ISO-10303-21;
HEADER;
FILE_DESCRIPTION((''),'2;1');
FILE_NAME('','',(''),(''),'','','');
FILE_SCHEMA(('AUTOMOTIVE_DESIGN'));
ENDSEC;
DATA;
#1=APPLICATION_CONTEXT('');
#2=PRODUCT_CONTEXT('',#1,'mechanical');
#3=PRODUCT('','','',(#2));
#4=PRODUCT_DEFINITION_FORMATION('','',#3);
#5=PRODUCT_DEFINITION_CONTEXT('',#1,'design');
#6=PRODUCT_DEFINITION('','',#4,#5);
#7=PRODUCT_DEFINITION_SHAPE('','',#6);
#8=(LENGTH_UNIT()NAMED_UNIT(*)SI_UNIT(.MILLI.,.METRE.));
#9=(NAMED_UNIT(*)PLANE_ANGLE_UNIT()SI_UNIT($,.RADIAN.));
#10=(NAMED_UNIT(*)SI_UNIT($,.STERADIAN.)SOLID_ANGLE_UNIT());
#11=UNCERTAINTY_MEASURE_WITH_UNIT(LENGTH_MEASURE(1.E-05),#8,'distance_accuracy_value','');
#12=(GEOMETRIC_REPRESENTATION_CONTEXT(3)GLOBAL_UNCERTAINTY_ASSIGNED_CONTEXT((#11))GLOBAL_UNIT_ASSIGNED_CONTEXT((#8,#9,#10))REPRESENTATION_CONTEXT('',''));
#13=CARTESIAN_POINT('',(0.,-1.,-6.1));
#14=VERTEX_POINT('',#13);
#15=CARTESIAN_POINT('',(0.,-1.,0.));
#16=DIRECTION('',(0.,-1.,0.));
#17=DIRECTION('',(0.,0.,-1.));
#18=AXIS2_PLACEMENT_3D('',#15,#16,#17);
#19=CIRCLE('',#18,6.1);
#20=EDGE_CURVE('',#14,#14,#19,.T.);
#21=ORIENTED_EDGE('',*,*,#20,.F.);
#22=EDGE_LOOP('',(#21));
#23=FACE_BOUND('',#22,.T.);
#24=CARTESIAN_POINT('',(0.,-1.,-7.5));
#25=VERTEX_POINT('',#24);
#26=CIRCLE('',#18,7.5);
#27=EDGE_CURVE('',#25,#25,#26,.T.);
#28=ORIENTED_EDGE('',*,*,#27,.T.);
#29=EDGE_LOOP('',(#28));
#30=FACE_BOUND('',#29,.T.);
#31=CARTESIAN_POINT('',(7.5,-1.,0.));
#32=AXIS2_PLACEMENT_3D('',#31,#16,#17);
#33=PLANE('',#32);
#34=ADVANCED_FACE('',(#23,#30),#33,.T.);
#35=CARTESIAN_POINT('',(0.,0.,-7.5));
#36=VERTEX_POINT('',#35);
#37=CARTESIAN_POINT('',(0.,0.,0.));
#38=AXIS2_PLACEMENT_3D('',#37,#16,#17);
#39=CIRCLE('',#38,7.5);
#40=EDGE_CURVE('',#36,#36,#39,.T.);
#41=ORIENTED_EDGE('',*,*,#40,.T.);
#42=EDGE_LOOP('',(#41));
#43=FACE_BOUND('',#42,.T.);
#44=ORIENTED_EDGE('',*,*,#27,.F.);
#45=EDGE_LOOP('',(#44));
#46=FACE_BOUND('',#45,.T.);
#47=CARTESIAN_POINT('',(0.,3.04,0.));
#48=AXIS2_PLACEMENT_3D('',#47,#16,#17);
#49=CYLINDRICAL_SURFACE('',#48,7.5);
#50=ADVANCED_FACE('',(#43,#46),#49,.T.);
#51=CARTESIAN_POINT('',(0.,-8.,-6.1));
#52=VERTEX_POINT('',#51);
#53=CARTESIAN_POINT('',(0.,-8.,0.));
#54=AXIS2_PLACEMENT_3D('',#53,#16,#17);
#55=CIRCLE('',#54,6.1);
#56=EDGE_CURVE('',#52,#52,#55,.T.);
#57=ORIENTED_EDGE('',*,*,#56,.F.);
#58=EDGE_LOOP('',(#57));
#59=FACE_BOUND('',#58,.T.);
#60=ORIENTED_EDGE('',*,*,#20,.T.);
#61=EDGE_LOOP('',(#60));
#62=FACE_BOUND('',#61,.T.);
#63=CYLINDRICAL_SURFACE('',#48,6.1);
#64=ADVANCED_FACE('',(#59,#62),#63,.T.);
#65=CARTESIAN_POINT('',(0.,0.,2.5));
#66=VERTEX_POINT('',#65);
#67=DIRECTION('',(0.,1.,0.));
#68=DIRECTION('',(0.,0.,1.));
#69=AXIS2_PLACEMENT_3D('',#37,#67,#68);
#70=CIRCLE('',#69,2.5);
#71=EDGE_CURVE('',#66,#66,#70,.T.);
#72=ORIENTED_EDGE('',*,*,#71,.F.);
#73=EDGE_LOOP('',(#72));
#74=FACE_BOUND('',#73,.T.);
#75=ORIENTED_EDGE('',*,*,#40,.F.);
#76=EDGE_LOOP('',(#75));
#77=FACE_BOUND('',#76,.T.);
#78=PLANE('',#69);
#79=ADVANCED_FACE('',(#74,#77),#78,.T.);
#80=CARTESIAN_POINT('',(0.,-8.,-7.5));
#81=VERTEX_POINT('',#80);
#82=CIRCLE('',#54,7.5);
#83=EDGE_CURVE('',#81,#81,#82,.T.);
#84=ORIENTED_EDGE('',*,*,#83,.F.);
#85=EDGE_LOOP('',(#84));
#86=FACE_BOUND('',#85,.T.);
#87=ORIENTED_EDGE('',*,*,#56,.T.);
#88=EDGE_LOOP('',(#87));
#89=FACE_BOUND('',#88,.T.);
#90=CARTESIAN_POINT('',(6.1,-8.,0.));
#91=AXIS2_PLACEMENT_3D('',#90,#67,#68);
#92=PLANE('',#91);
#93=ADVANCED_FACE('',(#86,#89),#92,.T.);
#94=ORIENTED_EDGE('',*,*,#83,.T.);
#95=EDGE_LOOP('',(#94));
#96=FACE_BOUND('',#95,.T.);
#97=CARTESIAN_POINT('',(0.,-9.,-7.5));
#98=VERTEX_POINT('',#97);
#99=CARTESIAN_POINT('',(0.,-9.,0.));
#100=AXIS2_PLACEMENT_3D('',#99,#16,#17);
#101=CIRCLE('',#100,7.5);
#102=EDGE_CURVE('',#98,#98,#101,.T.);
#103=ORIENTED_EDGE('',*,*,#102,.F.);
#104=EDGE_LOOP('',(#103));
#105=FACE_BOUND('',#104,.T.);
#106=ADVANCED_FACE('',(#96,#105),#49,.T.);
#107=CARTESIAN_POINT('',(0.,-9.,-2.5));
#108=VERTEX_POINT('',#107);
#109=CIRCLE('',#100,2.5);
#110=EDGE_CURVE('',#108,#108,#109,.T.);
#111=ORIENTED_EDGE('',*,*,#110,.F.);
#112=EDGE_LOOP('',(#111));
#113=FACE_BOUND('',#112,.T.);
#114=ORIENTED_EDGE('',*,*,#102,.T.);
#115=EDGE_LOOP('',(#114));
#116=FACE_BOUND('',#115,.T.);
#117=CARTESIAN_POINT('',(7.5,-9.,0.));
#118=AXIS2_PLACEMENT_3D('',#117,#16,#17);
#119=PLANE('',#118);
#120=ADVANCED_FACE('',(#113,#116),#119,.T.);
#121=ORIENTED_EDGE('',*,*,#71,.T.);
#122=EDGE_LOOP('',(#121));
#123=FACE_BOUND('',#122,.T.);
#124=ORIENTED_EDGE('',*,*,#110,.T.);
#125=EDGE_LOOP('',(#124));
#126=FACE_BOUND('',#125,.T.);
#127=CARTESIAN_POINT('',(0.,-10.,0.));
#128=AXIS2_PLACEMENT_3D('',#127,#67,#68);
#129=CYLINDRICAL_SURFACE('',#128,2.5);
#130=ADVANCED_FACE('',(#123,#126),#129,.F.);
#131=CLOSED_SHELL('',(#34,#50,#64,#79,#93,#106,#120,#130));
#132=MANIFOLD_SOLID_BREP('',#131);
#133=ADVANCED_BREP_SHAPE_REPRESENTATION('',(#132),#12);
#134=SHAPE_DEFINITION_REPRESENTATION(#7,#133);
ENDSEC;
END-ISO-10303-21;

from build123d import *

# Parameters (mm, degrees)
SKETCH2_R          = 2.5
CUT_EXTRUDE1_DEPTH = 10


with BuildPart() as part:
    # Sketch1 → Revolve1 (revolve)
    with BuildSketch(Plane.XY, mode=Mode.PRIVATE) as revolve1_sk:
        Polygon((0, 0), (7.5, 0), (7.5, -1), (6.1, -1), (6.1, -8), (7.5, -8), (7.5, -9), (0, -9), align=None)
    revolve(revolve1_sk.sketch.rotate(Axis((0, 3.04, 0), (0, 1, 0)), 90), axis=Axis((0, 3.04, 0), (0, 1, 0)))

    # Sketch2 → Cut-Extrude1 (cut)
    with BuildSketch(Plane(origin=(0, 0, 0), x_dir=(1, 0, 0), z_dir=(0, 1, 0))):
        with Locations(Location((0, 0, 0), (0, 0, 270))):
            Circle(SKETCH2_R)
    extrude(amount=-CUT_EXTRUDE1_DEPTH, mode=Mode.SUBTRACT)


solid = part.part
